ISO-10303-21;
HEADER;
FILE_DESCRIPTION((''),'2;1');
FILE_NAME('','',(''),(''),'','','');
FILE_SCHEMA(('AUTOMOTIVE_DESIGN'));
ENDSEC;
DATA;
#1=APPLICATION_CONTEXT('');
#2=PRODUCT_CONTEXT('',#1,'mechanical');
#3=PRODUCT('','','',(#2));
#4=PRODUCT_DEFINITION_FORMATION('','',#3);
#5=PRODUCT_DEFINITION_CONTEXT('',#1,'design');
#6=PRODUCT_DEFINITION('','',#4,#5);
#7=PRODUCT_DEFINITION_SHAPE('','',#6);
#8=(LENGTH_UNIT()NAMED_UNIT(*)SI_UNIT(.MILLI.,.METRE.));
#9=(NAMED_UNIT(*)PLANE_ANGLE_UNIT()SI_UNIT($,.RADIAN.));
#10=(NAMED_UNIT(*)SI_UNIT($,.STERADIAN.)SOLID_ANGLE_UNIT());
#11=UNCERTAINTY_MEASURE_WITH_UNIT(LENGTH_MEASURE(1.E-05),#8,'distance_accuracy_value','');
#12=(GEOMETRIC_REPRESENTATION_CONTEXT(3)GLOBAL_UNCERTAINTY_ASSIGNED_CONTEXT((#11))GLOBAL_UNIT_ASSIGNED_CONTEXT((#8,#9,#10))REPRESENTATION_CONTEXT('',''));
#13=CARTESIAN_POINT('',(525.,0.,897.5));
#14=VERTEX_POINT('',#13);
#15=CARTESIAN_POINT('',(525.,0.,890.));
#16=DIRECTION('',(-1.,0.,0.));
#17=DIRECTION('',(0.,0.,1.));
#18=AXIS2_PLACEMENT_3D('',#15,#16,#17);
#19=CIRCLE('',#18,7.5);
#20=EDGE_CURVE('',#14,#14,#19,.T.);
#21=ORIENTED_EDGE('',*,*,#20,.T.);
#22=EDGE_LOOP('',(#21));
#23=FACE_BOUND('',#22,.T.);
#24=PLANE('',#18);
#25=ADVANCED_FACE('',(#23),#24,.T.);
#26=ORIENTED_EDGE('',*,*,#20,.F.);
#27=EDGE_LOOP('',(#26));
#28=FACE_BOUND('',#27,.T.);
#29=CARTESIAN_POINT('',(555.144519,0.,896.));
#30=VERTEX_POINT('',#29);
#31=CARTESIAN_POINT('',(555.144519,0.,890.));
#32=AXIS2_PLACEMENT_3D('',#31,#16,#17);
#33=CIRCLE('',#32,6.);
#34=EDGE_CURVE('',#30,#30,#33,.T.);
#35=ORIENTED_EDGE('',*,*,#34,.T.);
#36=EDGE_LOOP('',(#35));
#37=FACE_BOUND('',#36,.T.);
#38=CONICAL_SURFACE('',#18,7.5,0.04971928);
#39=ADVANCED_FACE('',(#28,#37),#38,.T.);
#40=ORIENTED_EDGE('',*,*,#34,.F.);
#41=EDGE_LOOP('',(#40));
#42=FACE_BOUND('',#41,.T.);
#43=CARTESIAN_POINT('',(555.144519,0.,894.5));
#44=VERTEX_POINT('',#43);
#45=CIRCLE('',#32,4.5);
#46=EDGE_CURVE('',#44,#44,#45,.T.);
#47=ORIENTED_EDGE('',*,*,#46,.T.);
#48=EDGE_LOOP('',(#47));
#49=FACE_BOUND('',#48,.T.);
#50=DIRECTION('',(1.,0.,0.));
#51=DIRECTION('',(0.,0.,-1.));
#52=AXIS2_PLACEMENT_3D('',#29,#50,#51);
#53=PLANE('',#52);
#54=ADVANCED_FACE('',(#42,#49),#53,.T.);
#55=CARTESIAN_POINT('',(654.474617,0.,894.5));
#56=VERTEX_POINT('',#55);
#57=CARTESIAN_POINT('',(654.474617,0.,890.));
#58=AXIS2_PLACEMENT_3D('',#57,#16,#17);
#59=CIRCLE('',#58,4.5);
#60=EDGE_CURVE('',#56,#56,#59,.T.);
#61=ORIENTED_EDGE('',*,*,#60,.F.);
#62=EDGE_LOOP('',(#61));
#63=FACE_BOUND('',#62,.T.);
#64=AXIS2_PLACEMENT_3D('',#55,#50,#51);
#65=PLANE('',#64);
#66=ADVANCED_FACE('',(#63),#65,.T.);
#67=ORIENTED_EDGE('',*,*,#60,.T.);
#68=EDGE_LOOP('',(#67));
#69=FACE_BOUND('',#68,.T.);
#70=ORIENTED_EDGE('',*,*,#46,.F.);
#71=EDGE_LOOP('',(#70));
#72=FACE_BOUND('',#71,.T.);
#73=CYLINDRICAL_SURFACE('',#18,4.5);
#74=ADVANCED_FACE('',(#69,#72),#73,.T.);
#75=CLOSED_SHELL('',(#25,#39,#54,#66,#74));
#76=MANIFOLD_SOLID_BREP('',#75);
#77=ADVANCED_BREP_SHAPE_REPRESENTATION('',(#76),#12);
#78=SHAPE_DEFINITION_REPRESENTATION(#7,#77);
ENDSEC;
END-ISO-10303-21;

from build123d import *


with BuildPart() as part:
    # 草图1 → 旋转1 (revolve)
    with BuildSketch(Plane(origin=(0, 0, 0), x_dir=(1, 0, 0), z_dir=(0, 1, 0))):
        Polygon((525, -890), (525, -897.5), (555.144519195, -896), (555.144519195, -894.5), (654.474617049, -894.5), (654.474617049, -890), align=None)
    revolve(axis=Axis((525, 0, 890), (1, 0, 0)))


solid = part.part
